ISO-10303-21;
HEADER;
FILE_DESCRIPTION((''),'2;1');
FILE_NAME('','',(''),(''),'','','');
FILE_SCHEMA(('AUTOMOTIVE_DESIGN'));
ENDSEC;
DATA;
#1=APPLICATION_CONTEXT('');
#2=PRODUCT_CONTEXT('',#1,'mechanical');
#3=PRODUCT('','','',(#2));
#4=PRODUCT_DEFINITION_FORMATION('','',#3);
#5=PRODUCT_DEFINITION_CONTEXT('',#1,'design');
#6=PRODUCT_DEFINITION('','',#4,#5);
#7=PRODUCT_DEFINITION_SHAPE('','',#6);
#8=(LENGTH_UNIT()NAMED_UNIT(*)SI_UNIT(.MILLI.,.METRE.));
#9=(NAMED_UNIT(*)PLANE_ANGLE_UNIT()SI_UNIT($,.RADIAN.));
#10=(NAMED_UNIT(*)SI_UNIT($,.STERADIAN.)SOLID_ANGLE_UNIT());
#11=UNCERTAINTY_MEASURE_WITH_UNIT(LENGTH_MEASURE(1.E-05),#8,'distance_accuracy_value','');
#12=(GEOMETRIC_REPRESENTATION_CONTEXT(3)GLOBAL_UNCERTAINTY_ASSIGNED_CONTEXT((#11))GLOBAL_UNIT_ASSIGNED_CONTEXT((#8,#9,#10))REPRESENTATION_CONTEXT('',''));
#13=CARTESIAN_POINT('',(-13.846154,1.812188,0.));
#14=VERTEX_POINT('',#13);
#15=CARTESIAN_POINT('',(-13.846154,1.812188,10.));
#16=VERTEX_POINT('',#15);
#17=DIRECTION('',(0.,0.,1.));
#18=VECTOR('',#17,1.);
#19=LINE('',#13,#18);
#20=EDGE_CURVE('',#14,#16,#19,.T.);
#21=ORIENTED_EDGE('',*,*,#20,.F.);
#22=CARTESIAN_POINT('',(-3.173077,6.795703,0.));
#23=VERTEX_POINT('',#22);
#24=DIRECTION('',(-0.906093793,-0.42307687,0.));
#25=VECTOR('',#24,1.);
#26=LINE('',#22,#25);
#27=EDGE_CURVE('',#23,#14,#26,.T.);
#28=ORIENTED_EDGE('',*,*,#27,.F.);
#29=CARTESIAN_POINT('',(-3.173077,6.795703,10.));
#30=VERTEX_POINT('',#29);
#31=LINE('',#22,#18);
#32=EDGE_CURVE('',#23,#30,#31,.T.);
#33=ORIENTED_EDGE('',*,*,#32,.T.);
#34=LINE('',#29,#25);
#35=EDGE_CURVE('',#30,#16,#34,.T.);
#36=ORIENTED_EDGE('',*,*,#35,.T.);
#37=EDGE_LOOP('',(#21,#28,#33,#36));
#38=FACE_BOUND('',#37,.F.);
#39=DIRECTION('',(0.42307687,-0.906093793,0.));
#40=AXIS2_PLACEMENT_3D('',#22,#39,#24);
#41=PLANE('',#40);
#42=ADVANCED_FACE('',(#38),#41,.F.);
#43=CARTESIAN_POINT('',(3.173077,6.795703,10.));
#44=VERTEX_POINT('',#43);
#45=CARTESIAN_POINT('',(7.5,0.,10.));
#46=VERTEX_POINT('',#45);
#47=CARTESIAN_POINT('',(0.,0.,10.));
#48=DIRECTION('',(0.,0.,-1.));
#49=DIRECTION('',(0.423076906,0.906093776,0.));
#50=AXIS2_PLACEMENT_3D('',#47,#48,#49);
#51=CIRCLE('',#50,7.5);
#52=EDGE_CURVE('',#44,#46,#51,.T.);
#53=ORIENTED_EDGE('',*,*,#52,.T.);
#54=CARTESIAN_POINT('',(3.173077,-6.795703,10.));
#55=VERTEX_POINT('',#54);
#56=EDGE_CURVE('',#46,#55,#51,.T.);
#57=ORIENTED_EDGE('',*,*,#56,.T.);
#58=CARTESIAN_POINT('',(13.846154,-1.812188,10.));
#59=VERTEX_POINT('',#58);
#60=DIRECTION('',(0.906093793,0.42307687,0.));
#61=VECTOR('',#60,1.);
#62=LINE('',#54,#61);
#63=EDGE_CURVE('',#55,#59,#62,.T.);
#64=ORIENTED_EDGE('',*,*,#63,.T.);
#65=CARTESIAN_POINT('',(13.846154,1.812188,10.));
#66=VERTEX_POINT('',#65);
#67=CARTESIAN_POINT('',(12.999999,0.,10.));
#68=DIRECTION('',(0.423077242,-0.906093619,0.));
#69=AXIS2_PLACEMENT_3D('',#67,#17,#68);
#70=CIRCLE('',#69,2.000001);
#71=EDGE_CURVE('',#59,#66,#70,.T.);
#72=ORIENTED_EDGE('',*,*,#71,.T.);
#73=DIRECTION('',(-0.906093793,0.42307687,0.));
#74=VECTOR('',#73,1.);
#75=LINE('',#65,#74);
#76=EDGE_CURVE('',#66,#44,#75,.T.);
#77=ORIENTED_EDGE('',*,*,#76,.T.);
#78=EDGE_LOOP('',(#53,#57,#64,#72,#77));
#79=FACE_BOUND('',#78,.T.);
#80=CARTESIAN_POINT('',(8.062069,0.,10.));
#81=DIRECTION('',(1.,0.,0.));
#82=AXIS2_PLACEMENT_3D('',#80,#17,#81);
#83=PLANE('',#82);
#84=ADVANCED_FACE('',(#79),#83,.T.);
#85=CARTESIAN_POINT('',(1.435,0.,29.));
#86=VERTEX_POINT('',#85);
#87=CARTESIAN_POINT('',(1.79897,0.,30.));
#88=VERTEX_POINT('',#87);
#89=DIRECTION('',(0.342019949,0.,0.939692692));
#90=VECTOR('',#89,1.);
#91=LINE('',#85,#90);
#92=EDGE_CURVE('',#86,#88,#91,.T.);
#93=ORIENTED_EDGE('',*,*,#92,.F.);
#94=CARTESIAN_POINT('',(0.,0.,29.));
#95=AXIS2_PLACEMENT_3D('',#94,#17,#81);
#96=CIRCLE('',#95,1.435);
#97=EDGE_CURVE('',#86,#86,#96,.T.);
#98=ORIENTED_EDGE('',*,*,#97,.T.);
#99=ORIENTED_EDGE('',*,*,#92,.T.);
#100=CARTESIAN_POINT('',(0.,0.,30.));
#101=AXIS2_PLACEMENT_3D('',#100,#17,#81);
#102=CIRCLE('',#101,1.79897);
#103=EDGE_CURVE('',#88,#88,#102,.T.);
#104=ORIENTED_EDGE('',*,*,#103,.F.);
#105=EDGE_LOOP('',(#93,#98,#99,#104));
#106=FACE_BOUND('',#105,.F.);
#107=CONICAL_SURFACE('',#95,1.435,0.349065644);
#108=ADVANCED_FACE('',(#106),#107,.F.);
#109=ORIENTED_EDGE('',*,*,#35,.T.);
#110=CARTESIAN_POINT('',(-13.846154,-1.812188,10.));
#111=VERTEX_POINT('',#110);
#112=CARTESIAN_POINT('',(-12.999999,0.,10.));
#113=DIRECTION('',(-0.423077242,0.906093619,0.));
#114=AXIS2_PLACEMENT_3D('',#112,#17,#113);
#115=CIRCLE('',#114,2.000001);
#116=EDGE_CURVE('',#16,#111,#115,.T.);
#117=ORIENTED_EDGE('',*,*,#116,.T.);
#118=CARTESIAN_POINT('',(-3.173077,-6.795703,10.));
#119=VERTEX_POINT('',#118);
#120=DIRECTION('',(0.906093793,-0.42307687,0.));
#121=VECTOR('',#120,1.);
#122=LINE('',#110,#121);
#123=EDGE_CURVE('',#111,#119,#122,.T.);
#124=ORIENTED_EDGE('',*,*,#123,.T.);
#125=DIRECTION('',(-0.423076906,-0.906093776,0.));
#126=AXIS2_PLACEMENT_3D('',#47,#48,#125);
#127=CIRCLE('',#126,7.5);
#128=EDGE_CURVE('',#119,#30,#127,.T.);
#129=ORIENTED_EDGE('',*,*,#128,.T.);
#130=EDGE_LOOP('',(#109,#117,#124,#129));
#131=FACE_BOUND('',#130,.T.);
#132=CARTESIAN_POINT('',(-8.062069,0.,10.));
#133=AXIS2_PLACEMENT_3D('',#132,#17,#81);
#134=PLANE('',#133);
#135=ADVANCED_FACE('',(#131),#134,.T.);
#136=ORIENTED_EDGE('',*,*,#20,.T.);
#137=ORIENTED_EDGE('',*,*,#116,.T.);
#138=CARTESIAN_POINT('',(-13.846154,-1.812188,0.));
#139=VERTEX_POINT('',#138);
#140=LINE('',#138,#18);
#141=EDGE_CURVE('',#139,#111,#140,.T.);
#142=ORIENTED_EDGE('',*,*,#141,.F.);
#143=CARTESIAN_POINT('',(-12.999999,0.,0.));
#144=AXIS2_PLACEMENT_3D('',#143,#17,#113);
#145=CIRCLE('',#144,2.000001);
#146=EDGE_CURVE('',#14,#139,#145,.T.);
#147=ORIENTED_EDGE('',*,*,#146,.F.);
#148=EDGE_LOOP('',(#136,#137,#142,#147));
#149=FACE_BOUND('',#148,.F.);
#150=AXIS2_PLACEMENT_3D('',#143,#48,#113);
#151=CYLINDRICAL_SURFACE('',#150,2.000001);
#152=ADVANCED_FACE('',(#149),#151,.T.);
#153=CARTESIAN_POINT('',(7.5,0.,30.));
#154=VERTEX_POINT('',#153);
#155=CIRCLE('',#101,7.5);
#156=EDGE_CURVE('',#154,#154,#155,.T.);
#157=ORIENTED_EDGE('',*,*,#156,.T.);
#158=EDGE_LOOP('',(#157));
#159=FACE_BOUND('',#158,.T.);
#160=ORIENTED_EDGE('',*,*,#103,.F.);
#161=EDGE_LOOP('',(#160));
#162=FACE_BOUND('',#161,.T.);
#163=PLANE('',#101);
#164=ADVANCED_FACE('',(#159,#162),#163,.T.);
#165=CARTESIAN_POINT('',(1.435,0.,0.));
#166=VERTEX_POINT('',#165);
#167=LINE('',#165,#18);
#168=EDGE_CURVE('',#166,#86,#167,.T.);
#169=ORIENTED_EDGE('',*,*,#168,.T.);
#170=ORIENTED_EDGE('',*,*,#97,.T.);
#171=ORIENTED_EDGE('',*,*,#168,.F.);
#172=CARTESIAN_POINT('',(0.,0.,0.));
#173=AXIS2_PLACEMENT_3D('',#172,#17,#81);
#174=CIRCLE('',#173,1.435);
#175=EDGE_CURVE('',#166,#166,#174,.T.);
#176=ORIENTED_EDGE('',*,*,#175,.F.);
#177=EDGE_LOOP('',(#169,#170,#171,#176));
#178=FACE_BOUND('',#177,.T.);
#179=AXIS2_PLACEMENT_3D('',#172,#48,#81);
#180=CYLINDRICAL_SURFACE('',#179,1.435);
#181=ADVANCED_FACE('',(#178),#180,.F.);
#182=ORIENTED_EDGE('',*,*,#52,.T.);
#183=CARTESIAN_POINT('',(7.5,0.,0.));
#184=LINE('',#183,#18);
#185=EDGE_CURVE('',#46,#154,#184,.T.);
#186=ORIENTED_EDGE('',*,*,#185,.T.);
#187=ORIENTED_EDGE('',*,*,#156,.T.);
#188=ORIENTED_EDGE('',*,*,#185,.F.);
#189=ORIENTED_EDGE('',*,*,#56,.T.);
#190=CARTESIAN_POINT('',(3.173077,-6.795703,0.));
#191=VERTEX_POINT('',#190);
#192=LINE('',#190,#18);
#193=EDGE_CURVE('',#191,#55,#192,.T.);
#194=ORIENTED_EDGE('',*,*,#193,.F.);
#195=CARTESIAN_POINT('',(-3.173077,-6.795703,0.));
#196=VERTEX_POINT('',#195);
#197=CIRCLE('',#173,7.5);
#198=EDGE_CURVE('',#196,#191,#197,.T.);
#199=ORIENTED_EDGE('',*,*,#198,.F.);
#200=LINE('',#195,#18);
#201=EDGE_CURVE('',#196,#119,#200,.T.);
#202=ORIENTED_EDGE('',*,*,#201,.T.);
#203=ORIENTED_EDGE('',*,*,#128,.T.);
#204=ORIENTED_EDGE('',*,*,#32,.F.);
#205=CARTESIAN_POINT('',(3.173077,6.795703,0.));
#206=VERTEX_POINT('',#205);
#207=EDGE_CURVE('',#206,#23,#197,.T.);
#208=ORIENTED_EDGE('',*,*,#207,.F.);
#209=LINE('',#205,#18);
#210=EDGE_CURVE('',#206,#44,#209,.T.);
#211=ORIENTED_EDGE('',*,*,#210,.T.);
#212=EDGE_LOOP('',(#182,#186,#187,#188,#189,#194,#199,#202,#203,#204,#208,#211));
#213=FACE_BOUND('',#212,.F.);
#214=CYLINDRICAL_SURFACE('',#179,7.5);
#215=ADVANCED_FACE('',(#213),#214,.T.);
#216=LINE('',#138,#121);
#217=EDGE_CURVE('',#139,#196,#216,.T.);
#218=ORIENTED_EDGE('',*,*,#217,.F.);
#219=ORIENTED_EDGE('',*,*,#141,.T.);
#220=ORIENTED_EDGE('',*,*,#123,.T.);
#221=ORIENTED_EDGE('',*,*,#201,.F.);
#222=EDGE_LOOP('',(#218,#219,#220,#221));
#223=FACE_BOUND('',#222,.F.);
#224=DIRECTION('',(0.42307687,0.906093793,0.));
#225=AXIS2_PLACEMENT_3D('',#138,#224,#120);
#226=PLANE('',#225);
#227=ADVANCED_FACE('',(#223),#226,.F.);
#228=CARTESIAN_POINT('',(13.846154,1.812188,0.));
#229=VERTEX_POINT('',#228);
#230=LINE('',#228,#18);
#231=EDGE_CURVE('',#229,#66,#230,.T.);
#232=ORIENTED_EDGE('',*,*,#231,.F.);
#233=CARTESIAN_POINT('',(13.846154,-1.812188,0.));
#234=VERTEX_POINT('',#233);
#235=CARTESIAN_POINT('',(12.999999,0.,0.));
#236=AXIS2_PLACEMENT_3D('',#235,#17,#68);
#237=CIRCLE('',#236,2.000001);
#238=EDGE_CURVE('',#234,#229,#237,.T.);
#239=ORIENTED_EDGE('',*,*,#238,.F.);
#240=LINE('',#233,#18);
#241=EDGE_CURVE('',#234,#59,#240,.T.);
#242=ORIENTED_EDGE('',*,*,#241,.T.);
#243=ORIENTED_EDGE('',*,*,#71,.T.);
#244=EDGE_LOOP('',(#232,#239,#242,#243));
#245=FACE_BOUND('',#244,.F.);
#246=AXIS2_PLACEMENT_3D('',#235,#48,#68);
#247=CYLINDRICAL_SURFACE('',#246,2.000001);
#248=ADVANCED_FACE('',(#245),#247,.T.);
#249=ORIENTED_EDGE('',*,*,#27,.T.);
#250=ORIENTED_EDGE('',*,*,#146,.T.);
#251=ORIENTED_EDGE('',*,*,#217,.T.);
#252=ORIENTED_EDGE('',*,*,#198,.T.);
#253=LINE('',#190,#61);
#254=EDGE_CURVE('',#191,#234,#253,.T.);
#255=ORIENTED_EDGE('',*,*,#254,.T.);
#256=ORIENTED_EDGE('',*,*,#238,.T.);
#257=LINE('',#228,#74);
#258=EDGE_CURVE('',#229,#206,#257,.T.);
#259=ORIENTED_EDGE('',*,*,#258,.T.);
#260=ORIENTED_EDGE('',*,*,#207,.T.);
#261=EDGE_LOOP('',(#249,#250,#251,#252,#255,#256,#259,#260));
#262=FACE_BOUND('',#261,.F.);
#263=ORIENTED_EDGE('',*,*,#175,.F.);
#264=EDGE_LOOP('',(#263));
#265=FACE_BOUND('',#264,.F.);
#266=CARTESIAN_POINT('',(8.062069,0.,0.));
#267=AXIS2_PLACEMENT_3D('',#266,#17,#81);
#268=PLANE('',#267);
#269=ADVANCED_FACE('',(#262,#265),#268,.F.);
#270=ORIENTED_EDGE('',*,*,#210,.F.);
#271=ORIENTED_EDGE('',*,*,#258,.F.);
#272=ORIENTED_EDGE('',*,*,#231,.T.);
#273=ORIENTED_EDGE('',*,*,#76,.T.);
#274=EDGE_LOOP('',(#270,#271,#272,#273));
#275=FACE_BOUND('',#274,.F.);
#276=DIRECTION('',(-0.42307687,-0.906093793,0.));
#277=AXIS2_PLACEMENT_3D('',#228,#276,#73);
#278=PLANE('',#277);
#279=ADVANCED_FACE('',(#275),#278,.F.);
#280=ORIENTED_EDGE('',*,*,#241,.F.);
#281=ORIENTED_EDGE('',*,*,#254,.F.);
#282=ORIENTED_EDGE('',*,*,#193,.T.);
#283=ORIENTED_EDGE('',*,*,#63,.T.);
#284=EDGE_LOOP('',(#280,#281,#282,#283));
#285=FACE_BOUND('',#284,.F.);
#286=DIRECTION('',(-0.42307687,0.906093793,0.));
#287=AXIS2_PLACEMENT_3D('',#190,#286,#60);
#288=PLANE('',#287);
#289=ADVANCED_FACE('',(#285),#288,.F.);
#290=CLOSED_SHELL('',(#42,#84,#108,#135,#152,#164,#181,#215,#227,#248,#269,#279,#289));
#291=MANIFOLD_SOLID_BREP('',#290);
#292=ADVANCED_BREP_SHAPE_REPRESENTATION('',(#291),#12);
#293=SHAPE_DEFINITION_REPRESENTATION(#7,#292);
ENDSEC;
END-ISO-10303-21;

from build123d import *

# Parameters (mm, degrees)
F0_R     = 7.5
F0_R_2   = 1.435
F1_DEPTH = 30
F2_SIZE2 = 0.36397
F2_SIZE  = 1
F4_DEPTH = 10


with BuildPart() as f1:
    # F0 (on Top) → F1 (new body)
    with BuildSketch(Plane.XY):
        Circle(F0_R)
        Circle(F0_R_2, mode=Mode.SUBTRACT)
    extrude(amount=F1_DEPTH)

    # F2
    f2_edges = [f1.edges().sort_by_distance(p)[0] for p in [
        (-1.435, 0, 30),
    ]]
    chamfer(f2_edges, length=F2_SIZE, length2=F2_SIZE2)

    # F3 (on Top) → F4 (join)
    with BuildSketch(Plane.XY):
        with BuildLine():
            ThreePointArc((-3.173077, -6.795703), (-7.5, 0), (-3.173077, 6.795703))
            Line((-3.173077, 6.795703), (-13.846154, 1.812188))
            ThreePointArc((-13.846154, 1.812188), (-15, 0), (-13.846154, -1.812188))
            Line((-13.846154, -1.812188), (-3.173077, -6.795703))
        make_face()
        with BuildLine():
            ThreePointArc((13.846154, -1.812188), (15, 0), (13.846154, 1.812188))
            Line((13.846154, 1.812188), (3.173077, 6.795703))
            ThreePointArc((3.173077, 6.795703), (7.5, 0), (3.173077, -6.795703))
            Line((3.173077, -6.795703), (13.846154, -1.812188))
        make_face()
    extrude(amount=F4_DEPTH)


solid = f1.part
